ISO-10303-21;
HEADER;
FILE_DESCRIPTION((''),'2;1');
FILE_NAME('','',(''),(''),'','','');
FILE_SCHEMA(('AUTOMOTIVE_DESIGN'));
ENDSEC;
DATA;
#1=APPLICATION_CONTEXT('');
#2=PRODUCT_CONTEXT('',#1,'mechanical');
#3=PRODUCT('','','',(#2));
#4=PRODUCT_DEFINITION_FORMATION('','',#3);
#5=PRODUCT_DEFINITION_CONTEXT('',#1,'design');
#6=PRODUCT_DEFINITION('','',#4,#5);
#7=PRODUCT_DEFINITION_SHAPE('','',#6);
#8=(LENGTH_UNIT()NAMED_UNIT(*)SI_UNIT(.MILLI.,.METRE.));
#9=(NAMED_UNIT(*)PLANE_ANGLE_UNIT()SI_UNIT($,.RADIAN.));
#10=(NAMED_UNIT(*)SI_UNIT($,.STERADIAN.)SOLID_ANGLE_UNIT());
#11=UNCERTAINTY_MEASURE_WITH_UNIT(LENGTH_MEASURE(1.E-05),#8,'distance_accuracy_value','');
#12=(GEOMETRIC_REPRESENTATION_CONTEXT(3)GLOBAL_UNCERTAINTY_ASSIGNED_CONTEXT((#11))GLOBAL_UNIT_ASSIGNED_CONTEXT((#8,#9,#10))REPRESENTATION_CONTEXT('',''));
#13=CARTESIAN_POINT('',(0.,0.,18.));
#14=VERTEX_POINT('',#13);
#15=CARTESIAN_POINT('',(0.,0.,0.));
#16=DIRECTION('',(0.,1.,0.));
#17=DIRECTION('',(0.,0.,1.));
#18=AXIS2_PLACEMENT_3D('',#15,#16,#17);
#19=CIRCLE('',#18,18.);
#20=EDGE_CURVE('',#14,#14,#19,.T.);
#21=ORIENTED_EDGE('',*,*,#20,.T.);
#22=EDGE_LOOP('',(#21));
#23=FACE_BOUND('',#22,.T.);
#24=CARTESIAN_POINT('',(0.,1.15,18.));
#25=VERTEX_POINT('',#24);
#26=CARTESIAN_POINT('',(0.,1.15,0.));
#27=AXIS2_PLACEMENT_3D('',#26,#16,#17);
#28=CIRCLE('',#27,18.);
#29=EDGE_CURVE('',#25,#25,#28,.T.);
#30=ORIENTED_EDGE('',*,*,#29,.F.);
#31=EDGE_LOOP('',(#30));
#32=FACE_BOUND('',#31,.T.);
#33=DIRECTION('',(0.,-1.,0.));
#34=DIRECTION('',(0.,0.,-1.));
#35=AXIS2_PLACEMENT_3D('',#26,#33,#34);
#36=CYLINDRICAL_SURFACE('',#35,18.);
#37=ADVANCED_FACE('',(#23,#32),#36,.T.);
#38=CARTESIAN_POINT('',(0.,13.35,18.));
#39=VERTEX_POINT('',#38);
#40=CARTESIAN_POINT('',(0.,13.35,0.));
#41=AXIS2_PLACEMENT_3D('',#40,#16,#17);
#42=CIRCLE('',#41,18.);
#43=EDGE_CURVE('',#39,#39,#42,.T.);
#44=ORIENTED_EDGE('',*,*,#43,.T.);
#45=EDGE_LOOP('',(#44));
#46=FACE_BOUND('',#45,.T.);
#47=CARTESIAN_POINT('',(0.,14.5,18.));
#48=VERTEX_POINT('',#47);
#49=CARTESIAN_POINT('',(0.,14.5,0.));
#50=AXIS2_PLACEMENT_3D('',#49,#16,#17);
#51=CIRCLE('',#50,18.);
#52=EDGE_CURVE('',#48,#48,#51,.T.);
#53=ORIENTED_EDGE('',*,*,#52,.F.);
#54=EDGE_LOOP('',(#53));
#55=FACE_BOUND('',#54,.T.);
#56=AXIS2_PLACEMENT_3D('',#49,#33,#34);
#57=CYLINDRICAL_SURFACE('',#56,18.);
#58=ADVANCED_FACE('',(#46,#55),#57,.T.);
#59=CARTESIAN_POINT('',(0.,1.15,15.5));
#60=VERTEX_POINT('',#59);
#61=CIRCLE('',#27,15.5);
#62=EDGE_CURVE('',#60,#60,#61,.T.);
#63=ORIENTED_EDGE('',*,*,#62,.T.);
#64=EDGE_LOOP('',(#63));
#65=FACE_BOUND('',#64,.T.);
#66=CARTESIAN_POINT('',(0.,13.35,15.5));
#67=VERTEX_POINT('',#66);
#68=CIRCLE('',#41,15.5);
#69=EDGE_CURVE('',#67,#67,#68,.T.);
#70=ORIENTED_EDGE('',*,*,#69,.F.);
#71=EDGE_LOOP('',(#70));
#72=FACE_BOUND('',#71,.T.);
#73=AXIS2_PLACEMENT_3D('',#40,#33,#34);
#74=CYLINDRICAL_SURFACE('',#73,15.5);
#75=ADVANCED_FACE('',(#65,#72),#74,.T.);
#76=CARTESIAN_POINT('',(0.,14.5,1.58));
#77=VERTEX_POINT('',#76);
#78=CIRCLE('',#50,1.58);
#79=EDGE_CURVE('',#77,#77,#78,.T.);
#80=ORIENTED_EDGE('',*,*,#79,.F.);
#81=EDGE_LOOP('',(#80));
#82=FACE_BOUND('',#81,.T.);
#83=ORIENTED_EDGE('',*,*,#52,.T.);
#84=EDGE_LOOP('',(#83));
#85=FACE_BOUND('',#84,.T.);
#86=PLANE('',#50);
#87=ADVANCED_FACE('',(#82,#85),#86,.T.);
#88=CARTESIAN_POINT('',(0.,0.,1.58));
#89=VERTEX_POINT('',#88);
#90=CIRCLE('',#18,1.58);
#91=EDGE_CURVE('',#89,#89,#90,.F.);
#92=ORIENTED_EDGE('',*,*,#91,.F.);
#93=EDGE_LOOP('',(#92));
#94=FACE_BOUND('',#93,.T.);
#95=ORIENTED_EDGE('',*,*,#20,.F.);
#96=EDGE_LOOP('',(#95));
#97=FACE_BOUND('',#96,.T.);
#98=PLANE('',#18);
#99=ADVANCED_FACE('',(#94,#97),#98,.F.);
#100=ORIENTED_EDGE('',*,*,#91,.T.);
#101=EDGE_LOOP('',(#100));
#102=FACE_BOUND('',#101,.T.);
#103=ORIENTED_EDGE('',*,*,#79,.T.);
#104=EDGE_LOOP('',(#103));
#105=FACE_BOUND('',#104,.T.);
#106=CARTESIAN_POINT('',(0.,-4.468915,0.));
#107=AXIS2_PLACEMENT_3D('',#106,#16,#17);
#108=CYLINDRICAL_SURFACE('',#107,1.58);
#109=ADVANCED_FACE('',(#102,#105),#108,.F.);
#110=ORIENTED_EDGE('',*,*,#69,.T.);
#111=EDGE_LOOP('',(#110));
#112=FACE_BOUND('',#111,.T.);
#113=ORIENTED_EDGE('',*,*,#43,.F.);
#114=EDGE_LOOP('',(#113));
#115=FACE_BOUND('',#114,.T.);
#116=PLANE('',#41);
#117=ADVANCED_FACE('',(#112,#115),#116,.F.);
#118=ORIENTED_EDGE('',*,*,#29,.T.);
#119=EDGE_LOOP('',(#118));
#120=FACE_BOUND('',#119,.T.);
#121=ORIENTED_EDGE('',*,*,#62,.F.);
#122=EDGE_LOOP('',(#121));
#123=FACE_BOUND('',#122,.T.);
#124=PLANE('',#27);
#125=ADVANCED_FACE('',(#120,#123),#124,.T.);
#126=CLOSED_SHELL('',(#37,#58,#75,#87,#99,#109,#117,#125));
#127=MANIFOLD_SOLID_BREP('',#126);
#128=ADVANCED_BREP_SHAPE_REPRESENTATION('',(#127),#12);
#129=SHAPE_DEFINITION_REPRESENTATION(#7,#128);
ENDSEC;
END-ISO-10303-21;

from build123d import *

# Parameters (mm, degrees)
SKETCH1_R           = 18
BOSS_EXTRUDE1_DEPTH = 1.15
SKETCH2_R           = 15.499999988
BOSS_EXTRUDE2_DEPTH = 12.2
SKETCH3_R           = 18
BOSS_EXTRUDE3_DEPTH = 1.15
SKETCH4_R           = 1.58
CUT_EXTRUDE1_DEPTH  = 14.5


with BuildPart() as part:
    # Sketch1 → Boss-Extrude1 (new body)
    with BuildSketch(Plane(origin=(0, 0, 0), x_dir=(1, 0, 0), z_dir=(0, 1, 0))):
        with Locations(Location((0, 0, 0), (0, 0, 270))):
            Circle(SKETCH1_R)
    extrude(amount=BOSS_EXTRUDE1_DEPTH)

    # Sketch2 → Boss-Extrude2 (add)
    with BuildSketch(Plane(origin=(0, 1.15, 0), x_dir=(1, 0, 0), z_dir=(0, 1, 0))):
        with Locations(Location((0, 0, 0), (0, 0, 270))):
            Circle(SKETCH2_R)
    extrude(amount=BOSS_EXTRUDE2_DEPTH)

    # Sketch3 → Boss-Extrude3 (add)
    with BuildSketch(Plane(origin=(0, 13.35, 0), x_dir=(1, 0, 0), z_dir=(0, 1, 0))):
        with Locations(Location((0, 0, 0), (0, 0, 270))):
            Circle(SKETCH3_R)
    extrude(amount=BOSS_EXTRUDE3_DEPTH)

    # Sketch4 → Cut-Extrude1 (cut)
    with BuildSketch(Plane(origin=(0, 14.5, 0), x_dir=(1, 0, 0), z_dir=(0, 1, 0))):
        with Locations(Location((0, 0, 0), (0, 0, 270))):
            Circle(SKETCH4_R)
    extrude(amount=-CUT_EXTRUDE1_DEPTH, mode=Mode.SUBTRACT)


solid = part.part
